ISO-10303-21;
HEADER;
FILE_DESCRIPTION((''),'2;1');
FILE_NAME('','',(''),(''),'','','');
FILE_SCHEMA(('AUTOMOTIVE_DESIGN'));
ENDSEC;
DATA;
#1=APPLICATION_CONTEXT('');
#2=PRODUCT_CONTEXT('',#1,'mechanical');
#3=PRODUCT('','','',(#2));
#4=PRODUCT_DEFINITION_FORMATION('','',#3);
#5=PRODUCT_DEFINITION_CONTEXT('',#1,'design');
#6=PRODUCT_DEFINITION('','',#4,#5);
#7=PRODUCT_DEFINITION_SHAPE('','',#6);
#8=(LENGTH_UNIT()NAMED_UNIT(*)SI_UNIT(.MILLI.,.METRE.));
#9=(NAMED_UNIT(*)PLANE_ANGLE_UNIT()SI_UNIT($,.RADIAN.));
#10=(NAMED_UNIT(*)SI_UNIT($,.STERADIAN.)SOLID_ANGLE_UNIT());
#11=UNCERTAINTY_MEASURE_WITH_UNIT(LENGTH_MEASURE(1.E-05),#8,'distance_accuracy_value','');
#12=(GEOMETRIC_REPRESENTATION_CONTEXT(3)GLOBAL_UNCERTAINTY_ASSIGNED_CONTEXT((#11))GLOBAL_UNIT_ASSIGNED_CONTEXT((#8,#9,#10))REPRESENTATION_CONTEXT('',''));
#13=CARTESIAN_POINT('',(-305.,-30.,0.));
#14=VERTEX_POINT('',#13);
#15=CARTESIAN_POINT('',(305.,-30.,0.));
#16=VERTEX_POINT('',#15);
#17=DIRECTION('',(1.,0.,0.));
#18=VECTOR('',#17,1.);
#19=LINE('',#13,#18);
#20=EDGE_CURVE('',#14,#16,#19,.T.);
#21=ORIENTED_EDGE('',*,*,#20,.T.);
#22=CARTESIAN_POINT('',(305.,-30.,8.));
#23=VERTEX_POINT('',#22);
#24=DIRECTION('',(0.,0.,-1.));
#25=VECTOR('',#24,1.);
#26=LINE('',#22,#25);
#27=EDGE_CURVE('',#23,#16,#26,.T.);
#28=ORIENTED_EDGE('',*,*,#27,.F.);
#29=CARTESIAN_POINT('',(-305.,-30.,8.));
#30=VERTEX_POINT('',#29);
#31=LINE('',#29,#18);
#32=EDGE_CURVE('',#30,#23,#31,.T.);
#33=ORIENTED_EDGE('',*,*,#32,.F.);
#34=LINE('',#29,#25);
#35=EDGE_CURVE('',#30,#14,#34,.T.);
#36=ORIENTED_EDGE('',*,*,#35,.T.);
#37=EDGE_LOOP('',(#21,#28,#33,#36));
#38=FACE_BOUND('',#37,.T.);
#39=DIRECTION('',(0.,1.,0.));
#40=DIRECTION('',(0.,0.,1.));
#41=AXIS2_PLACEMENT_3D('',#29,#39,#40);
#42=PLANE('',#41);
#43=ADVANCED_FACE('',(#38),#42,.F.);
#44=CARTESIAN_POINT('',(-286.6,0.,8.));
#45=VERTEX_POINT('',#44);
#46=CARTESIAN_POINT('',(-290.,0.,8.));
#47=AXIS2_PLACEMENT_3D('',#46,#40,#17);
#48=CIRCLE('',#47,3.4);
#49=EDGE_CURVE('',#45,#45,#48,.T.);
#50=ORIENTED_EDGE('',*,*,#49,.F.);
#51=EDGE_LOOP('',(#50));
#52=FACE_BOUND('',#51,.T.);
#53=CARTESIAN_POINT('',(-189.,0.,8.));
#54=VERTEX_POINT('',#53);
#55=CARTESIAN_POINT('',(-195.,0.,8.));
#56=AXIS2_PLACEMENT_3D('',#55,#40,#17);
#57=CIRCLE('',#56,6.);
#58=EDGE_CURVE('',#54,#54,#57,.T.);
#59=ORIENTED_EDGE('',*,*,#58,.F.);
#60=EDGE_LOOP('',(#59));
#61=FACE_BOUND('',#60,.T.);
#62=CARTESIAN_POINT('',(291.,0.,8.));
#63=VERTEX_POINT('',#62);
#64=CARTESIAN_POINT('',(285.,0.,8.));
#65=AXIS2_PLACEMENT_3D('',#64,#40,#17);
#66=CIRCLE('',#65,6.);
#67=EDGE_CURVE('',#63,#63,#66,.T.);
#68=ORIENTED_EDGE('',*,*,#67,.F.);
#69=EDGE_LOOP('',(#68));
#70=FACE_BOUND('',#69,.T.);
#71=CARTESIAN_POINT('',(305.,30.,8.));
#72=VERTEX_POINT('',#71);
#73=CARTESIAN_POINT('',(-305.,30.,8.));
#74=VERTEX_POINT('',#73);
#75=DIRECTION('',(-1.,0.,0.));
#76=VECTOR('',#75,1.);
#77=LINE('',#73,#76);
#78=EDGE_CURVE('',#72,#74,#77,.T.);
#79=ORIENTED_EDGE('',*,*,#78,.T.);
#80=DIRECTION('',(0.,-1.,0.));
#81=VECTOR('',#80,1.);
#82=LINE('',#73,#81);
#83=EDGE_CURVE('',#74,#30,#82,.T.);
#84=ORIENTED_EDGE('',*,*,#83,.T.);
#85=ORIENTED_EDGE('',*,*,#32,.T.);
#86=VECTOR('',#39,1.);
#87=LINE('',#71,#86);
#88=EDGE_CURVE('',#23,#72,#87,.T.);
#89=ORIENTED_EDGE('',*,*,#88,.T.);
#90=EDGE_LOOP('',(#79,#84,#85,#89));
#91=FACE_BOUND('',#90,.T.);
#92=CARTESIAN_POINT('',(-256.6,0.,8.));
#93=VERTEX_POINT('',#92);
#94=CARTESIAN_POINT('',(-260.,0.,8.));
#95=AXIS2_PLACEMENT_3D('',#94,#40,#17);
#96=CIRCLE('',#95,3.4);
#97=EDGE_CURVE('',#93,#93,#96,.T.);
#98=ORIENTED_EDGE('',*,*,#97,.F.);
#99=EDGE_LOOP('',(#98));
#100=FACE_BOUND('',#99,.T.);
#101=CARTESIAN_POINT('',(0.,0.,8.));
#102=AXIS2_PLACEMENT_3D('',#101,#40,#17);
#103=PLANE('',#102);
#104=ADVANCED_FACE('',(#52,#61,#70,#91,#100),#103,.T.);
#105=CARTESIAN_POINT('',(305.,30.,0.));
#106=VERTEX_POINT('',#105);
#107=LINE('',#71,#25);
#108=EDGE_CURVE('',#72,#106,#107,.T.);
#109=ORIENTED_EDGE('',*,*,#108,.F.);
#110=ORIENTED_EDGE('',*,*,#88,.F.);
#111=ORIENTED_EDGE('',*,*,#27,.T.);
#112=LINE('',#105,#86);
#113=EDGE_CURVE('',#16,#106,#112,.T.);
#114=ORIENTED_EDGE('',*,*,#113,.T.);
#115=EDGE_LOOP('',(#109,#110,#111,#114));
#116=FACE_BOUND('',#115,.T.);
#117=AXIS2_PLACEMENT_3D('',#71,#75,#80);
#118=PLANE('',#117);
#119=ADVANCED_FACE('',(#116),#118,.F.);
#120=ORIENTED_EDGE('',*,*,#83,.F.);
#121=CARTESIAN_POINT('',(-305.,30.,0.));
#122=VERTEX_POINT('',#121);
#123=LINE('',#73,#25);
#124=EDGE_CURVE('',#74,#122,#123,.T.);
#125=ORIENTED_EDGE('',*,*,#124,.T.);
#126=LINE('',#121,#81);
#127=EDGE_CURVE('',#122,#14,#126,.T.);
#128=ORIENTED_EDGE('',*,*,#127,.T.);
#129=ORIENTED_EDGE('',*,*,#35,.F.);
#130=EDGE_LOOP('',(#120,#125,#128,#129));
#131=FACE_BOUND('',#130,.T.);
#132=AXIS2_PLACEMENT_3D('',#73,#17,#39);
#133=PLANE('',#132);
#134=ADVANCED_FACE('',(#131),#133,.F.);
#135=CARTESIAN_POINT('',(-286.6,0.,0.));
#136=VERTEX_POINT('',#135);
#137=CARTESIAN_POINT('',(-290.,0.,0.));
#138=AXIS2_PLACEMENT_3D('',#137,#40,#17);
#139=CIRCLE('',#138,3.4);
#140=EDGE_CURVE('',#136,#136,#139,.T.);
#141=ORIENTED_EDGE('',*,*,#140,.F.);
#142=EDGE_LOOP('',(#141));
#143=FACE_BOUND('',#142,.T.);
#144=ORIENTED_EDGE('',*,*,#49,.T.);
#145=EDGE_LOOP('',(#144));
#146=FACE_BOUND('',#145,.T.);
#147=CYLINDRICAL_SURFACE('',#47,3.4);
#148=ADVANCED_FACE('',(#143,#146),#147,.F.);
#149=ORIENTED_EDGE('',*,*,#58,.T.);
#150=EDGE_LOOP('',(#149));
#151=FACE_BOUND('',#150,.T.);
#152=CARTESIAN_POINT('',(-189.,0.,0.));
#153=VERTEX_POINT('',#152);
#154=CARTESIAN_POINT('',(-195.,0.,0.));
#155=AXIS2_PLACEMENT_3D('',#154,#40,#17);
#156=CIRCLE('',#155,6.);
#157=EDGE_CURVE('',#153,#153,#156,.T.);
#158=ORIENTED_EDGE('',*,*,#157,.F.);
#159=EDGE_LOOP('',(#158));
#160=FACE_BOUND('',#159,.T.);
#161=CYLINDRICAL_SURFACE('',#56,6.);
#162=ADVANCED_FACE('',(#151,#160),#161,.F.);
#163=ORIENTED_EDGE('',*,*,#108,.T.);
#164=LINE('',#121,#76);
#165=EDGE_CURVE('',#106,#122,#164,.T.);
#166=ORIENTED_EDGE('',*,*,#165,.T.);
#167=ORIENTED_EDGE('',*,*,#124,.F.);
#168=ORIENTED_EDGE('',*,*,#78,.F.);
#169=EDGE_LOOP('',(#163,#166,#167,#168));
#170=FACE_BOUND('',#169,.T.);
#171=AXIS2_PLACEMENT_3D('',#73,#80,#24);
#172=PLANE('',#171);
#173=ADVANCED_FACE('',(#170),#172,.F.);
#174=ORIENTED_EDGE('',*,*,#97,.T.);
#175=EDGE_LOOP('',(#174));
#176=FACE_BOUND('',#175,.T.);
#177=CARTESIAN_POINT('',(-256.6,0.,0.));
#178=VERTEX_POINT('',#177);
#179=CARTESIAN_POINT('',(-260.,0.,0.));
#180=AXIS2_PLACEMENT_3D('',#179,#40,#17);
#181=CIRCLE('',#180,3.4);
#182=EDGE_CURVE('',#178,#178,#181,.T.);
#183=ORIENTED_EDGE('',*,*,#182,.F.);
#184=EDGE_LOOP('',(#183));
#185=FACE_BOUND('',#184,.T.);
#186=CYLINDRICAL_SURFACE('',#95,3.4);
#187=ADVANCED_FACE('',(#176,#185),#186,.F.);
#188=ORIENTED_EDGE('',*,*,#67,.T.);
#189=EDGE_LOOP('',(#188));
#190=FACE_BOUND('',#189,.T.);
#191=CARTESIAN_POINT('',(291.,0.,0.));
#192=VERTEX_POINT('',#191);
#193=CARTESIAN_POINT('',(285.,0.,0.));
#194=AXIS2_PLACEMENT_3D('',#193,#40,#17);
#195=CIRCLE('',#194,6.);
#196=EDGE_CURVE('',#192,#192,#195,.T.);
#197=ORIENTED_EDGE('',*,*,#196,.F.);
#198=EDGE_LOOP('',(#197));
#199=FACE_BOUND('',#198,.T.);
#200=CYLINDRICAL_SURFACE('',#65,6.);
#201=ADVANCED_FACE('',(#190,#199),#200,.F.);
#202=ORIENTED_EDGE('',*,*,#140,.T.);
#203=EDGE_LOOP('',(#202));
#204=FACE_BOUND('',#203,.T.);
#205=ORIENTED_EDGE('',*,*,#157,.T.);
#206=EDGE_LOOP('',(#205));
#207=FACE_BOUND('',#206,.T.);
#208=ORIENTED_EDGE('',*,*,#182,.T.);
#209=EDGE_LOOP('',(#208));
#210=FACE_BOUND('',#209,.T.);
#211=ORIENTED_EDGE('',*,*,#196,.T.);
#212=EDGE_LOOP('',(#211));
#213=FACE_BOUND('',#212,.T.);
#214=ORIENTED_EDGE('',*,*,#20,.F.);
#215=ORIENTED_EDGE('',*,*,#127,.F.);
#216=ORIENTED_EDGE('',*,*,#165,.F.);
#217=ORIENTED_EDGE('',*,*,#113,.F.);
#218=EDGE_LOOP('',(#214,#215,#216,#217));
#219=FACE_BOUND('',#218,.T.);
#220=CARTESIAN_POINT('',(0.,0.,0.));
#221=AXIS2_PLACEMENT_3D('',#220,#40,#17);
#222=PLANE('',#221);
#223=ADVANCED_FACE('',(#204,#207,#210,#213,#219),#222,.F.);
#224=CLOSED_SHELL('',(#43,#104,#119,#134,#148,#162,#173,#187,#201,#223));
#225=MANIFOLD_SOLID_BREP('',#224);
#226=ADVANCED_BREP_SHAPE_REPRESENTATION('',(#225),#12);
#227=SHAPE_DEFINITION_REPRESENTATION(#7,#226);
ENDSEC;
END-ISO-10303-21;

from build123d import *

# Parameters (mm, degrees)
SKETCH_1_W             = 610
SKETCH_1_H             = 60
EXTRUDE_1_DEPTH        = 8
MM_1_D                 = 12
PATTERN_LINEAR_1_COUNT = 2
PATTERN_LINEAR_1_PITCH = 480
MM_2_D                 = 6.8
PATTERN_LINEAR_2_COUNT = 2
PATTERN_LINEAR_2_PITCH = 30


with BuildPart() as part:
    # 草图1 → 凸台-拉伸1 (new body)
    with BuildSketch(Plane.XY):
        Rectangle(SKETCH_1_W, SKETCH_1_H)
    extrude(amount=EXTRUDE_1_DEPTH)

    # 大小mm 暗销孔1 (through all)
    with Locations(Plane(origin=(285, 0, 8), x_dir=(1, 0, 0), z_dir=(0, 0, 1))):
        with Locations((0, 0)):
            mm_1 = Hole(MM_1_D / 2)

    # 阵列(线性)1: 大小mm 暗销孔1 ×2
    with Locations(*[(-i * PATTERN_LINEAR_1_PITCH, 0, 0) for i in range(1, PATTERN_LINEAR_1_COUNT)]):
        add(mm_1, mode=Mode.SUBTRACT)

    # 大小mm 暗销孔2 (through all)
    with Locations(Plane(origin=(-290, 0, 8), x_dir=(1, 0, 0), z_dir=(0, 0, 1))):
        with Locations((0, 0)):
            mm_2 = Hole(MM_2_D / 2)

    # 阵列(线性)2: 大小mm 暗销孔2 ×2
    with Locations(*[(i * PATTERN_LINEAR_2_PITCH, 0, 0) for i in range(1, PATTERN_LINEAR_2_COUNT)]):
        add(mm_2, mode=Mode.SUBTRACT)


solid = part.part
